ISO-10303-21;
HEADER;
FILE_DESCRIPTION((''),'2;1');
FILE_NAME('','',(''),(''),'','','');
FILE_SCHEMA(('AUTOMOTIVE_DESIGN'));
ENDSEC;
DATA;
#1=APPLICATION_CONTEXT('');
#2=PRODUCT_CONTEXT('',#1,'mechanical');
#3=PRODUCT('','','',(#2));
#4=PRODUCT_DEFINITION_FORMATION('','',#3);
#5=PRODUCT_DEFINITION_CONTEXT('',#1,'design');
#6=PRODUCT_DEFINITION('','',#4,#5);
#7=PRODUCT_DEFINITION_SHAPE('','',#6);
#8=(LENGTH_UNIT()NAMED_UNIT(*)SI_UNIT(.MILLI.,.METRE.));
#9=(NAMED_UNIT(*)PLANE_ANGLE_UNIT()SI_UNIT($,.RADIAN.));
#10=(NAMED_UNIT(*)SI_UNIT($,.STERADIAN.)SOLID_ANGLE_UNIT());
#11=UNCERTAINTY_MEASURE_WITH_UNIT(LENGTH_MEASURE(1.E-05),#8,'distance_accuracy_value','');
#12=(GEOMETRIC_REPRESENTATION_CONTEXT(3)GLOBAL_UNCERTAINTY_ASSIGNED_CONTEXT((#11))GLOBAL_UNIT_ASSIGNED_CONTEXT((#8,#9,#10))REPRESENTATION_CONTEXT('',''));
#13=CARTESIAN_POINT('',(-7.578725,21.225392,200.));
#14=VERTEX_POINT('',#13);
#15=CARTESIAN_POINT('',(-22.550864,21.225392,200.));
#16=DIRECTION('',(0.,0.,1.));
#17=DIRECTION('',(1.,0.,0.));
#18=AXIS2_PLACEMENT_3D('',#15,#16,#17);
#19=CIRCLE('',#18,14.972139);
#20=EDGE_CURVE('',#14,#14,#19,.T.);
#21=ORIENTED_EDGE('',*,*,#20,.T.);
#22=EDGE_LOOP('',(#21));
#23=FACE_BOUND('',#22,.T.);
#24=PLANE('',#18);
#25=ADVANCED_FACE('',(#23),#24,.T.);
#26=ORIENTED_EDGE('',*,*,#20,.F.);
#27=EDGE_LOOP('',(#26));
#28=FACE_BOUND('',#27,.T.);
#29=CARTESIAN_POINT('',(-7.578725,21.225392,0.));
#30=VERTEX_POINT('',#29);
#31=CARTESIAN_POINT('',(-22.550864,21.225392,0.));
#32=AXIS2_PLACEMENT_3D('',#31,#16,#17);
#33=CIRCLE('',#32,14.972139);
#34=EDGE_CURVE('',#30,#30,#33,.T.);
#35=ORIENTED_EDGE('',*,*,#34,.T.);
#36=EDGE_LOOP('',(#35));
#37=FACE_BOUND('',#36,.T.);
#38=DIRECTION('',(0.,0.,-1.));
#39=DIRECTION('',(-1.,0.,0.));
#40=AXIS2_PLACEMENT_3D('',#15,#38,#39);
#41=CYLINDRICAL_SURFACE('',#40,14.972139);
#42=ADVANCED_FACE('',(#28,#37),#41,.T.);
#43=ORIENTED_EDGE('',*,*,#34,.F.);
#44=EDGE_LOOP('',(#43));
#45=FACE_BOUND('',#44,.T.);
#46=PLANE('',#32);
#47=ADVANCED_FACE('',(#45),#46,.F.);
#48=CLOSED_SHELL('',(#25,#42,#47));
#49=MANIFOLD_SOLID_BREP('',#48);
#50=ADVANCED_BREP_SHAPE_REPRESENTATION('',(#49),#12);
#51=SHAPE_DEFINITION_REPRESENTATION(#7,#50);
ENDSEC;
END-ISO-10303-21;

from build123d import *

# Parameters (mm, degrees)
IZIM1_R                     = 14.972138768
Y_KSEKLIK_EKSTR_ZYON1_DEPTH = 200


with BuildPart() as part:
    # Çizim1 → Yükseklik-Ekstrüzyon1 (new body)
    with BuildSketch(Plane.XY):
        with Locations((-22.55086379, 21.225392039)):
            Circle(IZIM1_R)
    extrude(amount=Y_KSEKLIK_EKSTR_ZYON1_DEPTH)


solid = part.part
